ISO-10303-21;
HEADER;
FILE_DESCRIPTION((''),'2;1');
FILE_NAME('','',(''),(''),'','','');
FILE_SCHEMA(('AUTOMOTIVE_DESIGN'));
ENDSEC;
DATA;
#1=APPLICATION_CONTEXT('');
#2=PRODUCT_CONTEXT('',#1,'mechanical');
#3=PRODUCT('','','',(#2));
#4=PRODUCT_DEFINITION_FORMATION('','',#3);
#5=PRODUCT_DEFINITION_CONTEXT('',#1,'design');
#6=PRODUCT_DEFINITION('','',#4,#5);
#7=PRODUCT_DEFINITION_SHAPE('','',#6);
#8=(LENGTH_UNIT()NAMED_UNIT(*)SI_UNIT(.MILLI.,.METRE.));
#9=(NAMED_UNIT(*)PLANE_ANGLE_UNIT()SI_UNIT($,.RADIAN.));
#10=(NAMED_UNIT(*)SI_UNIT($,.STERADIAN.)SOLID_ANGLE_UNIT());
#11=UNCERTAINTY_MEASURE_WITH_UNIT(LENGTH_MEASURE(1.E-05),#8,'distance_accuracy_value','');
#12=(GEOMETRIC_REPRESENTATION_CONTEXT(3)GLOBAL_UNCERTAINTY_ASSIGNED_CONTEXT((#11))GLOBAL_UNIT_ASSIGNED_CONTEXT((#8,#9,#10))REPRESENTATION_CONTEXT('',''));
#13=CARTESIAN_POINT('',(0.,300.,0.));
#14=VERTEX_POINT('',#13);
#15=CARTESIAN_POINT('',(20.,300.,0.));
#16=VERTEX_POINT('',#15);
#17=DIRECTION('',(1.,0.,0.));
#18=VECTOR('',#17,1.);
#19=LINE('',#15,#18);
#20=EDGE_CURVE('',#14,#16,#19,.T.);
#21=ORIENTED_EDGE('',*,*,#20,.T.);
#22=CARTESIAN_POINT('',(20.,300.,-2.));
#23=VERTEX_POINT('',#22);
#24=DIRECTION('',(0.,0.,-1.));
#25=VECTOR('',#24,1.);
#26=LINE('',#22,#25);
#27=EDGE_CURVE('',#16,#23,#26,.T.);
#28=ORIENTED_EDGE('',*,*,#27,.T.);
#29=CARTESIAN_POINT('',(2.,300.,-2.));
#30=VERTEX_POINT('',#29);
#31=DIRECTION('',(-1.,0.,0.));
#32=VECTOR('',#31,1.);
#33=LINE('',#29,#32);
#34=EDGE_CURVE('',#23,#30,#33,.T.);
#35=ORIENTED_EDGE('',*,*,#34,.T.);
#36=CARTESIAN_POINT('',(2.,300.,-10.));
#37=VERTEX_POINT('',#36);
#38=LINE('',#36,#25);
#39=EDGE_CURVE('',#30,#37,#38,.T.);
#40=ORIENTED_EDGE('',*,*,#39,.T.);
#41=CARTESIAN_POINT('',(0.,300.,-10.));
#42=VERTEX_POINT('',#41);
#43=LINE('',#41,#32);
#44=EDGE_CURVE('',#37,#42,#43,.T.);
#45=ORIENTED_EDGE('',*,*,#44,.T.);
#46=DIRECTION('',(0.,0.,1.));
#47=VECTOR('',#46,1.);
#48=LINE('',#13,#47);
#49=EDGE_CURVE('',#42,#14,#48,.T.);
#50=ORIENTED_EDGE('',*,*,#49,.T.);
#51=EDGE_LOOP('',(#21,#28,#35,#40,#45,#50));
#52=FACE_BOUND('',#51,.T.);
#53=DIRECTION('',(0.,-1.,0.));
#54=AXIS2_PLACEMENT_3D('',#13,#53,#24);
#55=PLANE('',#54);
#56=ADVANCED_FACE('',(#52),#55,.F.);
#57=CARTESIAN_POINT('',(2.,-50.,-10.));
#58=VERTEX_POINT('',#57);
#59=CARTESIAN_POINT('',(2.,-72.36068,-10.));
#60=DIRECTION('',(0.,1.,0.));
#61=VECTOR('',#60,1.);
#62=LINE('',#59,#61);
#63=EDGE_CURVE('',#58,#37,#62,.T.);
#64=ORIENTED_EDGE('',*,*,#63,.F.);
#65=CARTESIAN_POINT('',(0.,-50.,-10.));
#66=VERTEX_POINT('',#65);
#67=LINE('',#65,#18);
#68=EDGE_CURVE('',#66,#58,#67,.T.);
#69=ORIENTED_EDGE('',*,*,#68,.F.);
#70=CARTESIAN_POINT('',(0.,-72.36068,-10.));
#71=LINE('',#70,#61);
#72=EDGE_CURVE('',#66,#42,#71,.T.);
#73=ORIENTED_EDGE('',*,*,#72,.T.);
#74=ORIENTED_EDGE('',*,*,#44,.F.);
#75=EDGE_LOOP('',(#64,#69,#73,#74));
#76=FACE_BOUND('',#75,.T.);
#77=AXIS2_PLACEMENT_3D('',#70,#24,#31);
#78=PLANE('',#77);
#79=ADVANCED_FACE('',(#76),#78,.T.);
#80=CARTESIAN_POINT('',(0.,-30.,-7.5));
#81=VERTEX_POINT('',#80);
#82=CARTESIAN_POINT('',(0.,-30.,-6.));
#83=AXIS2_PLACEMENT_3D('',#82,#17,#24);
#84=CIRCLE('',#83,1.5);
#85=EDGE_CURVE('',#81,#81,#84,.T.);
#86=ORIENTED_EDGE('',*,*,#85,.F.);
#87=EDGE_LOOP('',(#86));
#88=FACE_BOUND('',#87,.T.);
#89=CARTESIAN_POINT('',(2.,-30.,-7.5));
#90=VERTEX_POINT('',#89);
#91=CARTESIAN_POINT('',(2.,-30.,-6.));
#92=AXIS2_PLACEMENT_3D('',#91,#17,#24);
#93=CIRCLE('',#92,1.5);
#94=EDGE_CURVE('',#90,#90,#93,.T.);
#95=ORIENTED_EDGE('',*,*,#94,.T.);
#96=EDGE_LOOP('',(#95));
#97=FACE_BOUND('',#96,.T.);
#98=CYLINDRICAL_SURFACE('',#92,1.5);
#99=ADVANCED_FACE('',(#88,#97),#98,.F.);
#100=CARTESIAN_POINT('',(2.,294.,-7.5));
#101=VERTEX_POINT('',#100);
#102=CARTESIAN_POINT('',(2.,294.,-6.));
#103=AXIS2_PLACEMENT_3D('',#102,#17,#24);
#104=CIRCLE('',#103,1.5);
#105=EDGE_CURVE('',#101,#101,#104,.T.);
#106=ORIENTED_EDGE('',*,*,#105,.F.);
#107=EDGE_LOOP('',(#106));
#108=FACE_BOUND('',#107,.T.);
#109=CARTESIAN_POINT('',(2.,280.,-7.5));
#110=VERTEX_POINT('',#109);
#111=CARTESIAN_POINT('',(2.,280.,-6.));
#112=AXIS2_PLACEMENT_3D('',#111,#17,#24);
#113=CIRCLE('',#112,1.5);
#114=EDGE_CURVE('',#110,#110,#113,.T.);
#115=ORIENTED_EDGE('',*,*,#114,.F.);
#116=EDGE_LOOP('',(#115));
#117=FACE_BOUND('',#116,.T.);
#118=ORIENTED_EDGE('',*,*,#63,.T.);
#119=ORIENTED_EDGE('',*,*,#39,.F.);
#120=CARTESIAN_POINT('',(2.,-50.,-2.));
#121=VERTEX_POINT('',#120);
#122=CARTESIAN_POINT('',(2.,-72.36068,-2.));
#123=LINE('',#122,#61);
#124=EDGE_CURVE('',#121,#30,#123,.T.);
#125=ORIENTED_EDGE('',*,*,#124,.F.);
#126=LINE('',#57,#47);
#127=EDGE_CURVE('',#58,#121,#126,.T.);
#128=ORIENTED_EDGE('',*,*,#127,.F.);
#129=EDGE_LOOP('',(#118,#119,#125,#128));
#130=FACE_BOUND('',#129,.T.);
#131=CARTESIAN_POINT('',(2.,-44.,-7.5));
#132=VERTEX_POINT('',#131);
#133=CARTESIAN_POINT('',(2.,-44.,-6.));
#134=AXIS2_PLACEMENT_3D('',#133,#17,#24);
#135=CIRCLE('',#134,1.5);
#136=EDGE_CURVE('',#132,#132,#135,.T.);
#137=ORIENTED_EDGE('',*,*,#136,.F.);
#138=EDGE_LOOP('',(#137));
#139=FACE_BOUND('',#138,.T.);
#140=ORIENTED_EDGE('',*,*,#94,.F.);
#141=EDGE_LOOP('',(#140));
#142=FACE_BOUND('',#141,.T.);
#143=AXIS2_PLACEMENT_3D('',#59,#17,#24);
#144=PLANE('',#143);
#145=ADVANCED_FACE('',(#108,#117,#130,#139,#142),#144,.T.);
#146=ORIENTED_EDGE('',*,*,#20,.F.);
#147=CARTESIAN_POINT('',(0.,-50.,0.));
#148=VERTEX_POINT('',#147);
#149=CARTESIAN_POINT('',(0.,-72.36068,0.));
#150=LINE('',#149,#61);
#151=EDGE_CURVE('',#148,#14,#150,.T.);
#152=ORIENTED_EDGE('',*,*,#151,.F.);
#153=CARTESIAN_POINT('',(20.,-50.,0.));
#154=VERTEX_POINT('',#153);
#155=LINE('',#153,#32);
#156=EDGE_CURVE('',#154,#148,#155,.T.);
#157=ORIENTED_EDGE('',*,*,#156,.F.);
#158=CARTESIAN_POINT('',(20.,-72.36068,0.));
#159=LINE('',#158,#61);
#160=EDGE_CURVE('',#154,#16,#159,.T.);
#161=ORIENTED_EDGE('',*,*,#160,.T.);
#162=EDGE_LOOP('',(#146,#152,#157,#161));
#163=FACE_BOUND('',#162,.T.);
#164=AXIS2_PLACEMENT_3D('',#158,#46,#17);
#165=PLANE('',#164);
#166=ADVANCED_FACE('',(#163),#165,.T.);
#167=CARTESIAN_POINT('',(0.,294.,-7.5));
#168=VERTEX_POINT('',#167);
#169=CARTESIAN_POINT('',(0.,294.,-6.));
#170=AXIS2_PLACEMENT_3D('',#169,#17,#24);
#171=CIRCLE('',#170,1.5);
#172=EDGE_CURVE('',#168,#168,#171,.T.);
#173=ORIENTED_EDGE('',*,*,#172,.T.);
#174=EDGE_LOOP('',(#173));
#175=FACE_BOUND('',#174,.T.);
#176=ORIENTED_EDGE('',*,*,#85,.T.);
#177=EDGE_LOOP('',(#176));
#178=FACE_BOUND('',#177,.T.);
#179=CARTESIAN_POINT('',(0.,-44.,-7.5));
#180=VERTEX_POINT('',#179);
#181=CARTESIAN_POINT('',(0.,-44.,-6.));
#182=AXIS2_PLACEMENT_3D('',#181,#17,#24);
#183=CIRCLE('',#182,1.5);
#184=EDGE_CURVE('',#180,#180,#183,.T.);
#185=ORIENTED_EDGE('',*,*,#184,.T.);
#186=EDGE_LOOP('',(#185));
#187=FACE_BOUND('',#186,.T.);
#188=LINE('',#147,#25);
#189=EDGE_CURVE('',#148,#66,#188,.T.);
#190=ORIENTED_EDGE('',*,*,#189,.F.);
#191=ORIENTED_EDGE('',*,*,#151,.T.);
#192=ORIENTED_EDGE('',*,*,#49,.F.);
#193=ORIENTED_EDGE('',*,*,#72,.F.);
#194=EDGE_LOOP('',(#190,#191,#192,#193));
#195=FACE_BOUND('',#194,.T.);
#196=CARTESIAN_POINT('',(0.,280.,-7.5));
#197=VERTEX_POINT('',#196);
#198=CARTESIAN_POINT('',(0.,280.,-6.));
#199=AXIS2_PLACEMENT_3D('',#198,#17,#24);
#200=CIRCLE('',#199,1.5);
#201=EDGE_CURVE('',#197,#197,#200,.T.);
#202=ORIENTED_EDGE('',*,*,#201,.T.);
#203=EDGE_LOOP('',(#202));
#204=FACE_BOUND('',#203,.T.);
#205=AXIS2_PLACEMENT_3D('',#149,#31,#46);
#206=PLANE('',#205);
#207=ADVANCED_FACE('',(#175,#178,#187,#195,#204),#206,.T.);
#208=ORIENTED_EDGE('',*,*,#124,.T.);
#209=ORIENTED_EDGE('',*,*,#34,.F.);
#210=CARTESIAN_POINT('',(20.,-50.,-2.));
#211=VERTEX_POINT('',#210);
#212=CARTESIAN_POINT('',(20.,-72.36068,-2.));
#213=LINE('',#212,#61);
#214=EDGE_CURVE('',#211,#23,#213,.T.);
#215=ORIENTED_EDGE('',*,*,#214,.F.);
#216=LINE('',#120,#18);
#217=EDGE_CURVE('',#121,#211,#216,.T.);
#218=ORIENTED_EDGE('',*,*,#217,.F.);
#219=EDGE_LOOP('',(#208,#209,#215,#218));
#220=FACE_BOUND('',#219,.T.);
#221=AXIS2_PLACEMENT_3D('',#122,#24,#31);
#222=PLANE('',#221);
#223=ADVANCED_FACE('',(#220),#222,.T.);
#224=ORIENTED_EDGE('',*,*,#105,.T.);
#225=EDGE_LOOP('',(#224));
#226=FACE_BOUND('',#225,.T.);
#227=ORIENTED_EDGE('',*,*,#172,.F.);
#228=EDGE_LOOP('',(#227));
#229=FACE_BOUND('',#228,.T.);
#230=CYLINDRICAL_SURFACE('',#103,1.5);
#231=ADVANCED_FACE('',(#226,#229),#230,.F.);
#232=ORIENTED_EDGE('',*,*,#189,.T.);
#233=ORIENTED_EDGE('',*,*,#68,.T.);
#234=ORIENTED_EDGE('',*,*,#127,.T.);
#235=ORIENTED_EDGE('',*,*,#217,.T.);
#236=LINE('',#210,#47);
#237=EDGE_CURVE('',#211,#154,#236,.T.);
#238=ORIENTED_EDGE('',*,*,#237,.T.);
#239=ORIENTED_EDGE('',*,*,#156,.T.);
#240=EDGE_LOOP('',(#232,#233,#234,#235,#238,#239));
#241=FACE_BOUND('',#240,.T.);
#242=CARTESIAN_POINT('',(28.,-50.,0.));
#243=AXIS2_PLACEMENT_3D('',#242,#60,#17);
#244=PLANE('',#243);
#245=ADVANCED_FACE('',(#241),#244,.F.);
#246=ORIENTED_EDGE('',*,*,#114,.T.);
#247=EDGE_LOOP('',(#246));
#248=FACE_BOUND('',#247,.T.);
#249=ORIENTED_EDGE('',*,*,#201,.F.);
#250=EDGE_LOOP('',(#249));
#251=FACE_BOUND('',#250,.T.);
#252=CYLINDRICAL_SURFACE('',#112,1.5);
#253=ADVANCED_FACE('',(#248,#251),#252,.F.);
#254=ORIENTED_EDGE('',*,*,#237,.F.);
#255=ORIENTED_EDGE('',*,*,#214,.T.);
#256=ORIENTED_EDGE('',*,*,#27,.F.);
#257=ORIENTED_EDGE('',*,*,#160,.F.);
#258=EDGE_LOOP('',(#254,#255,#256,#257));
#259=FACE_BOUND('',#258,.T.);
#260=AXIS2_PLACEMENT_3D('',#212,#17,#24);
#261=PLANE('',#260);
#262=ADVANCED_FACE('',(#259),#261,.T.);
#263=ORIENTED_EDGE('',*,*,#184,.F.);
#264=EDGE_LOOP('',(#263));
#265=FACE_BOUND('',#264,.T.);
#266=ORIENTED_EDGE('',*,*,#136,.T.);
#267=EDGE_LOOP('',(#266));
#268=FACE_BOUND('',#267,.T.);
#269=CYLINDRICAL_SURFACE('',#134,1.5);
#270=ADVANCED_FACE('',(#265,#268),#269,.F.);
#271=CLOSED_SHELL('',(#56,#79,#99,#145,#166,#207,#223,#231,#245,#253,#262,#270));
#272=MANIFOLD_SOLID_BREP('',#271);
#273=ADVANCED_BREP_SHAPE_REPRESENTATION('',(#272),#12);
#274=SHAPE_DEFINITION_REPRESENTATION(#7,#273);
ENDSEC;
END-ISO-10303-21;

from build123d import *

# Parameters (mm, degrees)
BOSS_EXTRUDE1_DEPTH      = 300
BOSS_EXTRUDE1_DEPTH_BACK = 50
F_3_0_3_DIAMETER_HOLE3_D = 3
F_3_0_3_DIAMETER_HOLE4_D = 3


with BuildPart() as part:
    # Sketch1 → Boss-Extrude1 (new, two sides: drawn at the far end of the back side and taken through both)
    with BuildSketch(Plane(origin=(0, 0, 0), x_dir=(1, 0, 0), z_dir=(0, 1, 0)).offset(-BOSS_EXTRUDE1_DEPTH_BACK)):
        Polygon((0, 0), (0, 10), (2, 10), (2, 2), (20, 2), (20, 0), align=None)
    extrude(amount=BOSS_EXTRUDE1_DEPTH + BOSS_EXTRUDE1_DEPTH_BACK)

    # Ø3.0 (3) Diameter Hole3 (through all)
    with Locations(Plane(origin=(2, 311.407632793, -241.32004832), x_dir=(0, 0, 1), z_dir=(1, 0, 0))):
        with Locations((235.32004832, 355.407632793), (235.32004832, 341.407632793)):
            Hole(F_3_0_3_DIAMETER_HOLE3_D / 2)

    # Ø3.0 (3) Diameter Hole4 (through all)
    with Locations(Plane(origin=(2, 311.407632793, -241.32004832), x_dir=(0, 0, 1), z_dir=(1, 0, 0))):
        with Locations((235.32004832, 17.407632793), (235.32004832, 31.407632793)):
            Hole(F_3_0_3_DIAMETER_HOLE4_D / 2)


solid = part.part
